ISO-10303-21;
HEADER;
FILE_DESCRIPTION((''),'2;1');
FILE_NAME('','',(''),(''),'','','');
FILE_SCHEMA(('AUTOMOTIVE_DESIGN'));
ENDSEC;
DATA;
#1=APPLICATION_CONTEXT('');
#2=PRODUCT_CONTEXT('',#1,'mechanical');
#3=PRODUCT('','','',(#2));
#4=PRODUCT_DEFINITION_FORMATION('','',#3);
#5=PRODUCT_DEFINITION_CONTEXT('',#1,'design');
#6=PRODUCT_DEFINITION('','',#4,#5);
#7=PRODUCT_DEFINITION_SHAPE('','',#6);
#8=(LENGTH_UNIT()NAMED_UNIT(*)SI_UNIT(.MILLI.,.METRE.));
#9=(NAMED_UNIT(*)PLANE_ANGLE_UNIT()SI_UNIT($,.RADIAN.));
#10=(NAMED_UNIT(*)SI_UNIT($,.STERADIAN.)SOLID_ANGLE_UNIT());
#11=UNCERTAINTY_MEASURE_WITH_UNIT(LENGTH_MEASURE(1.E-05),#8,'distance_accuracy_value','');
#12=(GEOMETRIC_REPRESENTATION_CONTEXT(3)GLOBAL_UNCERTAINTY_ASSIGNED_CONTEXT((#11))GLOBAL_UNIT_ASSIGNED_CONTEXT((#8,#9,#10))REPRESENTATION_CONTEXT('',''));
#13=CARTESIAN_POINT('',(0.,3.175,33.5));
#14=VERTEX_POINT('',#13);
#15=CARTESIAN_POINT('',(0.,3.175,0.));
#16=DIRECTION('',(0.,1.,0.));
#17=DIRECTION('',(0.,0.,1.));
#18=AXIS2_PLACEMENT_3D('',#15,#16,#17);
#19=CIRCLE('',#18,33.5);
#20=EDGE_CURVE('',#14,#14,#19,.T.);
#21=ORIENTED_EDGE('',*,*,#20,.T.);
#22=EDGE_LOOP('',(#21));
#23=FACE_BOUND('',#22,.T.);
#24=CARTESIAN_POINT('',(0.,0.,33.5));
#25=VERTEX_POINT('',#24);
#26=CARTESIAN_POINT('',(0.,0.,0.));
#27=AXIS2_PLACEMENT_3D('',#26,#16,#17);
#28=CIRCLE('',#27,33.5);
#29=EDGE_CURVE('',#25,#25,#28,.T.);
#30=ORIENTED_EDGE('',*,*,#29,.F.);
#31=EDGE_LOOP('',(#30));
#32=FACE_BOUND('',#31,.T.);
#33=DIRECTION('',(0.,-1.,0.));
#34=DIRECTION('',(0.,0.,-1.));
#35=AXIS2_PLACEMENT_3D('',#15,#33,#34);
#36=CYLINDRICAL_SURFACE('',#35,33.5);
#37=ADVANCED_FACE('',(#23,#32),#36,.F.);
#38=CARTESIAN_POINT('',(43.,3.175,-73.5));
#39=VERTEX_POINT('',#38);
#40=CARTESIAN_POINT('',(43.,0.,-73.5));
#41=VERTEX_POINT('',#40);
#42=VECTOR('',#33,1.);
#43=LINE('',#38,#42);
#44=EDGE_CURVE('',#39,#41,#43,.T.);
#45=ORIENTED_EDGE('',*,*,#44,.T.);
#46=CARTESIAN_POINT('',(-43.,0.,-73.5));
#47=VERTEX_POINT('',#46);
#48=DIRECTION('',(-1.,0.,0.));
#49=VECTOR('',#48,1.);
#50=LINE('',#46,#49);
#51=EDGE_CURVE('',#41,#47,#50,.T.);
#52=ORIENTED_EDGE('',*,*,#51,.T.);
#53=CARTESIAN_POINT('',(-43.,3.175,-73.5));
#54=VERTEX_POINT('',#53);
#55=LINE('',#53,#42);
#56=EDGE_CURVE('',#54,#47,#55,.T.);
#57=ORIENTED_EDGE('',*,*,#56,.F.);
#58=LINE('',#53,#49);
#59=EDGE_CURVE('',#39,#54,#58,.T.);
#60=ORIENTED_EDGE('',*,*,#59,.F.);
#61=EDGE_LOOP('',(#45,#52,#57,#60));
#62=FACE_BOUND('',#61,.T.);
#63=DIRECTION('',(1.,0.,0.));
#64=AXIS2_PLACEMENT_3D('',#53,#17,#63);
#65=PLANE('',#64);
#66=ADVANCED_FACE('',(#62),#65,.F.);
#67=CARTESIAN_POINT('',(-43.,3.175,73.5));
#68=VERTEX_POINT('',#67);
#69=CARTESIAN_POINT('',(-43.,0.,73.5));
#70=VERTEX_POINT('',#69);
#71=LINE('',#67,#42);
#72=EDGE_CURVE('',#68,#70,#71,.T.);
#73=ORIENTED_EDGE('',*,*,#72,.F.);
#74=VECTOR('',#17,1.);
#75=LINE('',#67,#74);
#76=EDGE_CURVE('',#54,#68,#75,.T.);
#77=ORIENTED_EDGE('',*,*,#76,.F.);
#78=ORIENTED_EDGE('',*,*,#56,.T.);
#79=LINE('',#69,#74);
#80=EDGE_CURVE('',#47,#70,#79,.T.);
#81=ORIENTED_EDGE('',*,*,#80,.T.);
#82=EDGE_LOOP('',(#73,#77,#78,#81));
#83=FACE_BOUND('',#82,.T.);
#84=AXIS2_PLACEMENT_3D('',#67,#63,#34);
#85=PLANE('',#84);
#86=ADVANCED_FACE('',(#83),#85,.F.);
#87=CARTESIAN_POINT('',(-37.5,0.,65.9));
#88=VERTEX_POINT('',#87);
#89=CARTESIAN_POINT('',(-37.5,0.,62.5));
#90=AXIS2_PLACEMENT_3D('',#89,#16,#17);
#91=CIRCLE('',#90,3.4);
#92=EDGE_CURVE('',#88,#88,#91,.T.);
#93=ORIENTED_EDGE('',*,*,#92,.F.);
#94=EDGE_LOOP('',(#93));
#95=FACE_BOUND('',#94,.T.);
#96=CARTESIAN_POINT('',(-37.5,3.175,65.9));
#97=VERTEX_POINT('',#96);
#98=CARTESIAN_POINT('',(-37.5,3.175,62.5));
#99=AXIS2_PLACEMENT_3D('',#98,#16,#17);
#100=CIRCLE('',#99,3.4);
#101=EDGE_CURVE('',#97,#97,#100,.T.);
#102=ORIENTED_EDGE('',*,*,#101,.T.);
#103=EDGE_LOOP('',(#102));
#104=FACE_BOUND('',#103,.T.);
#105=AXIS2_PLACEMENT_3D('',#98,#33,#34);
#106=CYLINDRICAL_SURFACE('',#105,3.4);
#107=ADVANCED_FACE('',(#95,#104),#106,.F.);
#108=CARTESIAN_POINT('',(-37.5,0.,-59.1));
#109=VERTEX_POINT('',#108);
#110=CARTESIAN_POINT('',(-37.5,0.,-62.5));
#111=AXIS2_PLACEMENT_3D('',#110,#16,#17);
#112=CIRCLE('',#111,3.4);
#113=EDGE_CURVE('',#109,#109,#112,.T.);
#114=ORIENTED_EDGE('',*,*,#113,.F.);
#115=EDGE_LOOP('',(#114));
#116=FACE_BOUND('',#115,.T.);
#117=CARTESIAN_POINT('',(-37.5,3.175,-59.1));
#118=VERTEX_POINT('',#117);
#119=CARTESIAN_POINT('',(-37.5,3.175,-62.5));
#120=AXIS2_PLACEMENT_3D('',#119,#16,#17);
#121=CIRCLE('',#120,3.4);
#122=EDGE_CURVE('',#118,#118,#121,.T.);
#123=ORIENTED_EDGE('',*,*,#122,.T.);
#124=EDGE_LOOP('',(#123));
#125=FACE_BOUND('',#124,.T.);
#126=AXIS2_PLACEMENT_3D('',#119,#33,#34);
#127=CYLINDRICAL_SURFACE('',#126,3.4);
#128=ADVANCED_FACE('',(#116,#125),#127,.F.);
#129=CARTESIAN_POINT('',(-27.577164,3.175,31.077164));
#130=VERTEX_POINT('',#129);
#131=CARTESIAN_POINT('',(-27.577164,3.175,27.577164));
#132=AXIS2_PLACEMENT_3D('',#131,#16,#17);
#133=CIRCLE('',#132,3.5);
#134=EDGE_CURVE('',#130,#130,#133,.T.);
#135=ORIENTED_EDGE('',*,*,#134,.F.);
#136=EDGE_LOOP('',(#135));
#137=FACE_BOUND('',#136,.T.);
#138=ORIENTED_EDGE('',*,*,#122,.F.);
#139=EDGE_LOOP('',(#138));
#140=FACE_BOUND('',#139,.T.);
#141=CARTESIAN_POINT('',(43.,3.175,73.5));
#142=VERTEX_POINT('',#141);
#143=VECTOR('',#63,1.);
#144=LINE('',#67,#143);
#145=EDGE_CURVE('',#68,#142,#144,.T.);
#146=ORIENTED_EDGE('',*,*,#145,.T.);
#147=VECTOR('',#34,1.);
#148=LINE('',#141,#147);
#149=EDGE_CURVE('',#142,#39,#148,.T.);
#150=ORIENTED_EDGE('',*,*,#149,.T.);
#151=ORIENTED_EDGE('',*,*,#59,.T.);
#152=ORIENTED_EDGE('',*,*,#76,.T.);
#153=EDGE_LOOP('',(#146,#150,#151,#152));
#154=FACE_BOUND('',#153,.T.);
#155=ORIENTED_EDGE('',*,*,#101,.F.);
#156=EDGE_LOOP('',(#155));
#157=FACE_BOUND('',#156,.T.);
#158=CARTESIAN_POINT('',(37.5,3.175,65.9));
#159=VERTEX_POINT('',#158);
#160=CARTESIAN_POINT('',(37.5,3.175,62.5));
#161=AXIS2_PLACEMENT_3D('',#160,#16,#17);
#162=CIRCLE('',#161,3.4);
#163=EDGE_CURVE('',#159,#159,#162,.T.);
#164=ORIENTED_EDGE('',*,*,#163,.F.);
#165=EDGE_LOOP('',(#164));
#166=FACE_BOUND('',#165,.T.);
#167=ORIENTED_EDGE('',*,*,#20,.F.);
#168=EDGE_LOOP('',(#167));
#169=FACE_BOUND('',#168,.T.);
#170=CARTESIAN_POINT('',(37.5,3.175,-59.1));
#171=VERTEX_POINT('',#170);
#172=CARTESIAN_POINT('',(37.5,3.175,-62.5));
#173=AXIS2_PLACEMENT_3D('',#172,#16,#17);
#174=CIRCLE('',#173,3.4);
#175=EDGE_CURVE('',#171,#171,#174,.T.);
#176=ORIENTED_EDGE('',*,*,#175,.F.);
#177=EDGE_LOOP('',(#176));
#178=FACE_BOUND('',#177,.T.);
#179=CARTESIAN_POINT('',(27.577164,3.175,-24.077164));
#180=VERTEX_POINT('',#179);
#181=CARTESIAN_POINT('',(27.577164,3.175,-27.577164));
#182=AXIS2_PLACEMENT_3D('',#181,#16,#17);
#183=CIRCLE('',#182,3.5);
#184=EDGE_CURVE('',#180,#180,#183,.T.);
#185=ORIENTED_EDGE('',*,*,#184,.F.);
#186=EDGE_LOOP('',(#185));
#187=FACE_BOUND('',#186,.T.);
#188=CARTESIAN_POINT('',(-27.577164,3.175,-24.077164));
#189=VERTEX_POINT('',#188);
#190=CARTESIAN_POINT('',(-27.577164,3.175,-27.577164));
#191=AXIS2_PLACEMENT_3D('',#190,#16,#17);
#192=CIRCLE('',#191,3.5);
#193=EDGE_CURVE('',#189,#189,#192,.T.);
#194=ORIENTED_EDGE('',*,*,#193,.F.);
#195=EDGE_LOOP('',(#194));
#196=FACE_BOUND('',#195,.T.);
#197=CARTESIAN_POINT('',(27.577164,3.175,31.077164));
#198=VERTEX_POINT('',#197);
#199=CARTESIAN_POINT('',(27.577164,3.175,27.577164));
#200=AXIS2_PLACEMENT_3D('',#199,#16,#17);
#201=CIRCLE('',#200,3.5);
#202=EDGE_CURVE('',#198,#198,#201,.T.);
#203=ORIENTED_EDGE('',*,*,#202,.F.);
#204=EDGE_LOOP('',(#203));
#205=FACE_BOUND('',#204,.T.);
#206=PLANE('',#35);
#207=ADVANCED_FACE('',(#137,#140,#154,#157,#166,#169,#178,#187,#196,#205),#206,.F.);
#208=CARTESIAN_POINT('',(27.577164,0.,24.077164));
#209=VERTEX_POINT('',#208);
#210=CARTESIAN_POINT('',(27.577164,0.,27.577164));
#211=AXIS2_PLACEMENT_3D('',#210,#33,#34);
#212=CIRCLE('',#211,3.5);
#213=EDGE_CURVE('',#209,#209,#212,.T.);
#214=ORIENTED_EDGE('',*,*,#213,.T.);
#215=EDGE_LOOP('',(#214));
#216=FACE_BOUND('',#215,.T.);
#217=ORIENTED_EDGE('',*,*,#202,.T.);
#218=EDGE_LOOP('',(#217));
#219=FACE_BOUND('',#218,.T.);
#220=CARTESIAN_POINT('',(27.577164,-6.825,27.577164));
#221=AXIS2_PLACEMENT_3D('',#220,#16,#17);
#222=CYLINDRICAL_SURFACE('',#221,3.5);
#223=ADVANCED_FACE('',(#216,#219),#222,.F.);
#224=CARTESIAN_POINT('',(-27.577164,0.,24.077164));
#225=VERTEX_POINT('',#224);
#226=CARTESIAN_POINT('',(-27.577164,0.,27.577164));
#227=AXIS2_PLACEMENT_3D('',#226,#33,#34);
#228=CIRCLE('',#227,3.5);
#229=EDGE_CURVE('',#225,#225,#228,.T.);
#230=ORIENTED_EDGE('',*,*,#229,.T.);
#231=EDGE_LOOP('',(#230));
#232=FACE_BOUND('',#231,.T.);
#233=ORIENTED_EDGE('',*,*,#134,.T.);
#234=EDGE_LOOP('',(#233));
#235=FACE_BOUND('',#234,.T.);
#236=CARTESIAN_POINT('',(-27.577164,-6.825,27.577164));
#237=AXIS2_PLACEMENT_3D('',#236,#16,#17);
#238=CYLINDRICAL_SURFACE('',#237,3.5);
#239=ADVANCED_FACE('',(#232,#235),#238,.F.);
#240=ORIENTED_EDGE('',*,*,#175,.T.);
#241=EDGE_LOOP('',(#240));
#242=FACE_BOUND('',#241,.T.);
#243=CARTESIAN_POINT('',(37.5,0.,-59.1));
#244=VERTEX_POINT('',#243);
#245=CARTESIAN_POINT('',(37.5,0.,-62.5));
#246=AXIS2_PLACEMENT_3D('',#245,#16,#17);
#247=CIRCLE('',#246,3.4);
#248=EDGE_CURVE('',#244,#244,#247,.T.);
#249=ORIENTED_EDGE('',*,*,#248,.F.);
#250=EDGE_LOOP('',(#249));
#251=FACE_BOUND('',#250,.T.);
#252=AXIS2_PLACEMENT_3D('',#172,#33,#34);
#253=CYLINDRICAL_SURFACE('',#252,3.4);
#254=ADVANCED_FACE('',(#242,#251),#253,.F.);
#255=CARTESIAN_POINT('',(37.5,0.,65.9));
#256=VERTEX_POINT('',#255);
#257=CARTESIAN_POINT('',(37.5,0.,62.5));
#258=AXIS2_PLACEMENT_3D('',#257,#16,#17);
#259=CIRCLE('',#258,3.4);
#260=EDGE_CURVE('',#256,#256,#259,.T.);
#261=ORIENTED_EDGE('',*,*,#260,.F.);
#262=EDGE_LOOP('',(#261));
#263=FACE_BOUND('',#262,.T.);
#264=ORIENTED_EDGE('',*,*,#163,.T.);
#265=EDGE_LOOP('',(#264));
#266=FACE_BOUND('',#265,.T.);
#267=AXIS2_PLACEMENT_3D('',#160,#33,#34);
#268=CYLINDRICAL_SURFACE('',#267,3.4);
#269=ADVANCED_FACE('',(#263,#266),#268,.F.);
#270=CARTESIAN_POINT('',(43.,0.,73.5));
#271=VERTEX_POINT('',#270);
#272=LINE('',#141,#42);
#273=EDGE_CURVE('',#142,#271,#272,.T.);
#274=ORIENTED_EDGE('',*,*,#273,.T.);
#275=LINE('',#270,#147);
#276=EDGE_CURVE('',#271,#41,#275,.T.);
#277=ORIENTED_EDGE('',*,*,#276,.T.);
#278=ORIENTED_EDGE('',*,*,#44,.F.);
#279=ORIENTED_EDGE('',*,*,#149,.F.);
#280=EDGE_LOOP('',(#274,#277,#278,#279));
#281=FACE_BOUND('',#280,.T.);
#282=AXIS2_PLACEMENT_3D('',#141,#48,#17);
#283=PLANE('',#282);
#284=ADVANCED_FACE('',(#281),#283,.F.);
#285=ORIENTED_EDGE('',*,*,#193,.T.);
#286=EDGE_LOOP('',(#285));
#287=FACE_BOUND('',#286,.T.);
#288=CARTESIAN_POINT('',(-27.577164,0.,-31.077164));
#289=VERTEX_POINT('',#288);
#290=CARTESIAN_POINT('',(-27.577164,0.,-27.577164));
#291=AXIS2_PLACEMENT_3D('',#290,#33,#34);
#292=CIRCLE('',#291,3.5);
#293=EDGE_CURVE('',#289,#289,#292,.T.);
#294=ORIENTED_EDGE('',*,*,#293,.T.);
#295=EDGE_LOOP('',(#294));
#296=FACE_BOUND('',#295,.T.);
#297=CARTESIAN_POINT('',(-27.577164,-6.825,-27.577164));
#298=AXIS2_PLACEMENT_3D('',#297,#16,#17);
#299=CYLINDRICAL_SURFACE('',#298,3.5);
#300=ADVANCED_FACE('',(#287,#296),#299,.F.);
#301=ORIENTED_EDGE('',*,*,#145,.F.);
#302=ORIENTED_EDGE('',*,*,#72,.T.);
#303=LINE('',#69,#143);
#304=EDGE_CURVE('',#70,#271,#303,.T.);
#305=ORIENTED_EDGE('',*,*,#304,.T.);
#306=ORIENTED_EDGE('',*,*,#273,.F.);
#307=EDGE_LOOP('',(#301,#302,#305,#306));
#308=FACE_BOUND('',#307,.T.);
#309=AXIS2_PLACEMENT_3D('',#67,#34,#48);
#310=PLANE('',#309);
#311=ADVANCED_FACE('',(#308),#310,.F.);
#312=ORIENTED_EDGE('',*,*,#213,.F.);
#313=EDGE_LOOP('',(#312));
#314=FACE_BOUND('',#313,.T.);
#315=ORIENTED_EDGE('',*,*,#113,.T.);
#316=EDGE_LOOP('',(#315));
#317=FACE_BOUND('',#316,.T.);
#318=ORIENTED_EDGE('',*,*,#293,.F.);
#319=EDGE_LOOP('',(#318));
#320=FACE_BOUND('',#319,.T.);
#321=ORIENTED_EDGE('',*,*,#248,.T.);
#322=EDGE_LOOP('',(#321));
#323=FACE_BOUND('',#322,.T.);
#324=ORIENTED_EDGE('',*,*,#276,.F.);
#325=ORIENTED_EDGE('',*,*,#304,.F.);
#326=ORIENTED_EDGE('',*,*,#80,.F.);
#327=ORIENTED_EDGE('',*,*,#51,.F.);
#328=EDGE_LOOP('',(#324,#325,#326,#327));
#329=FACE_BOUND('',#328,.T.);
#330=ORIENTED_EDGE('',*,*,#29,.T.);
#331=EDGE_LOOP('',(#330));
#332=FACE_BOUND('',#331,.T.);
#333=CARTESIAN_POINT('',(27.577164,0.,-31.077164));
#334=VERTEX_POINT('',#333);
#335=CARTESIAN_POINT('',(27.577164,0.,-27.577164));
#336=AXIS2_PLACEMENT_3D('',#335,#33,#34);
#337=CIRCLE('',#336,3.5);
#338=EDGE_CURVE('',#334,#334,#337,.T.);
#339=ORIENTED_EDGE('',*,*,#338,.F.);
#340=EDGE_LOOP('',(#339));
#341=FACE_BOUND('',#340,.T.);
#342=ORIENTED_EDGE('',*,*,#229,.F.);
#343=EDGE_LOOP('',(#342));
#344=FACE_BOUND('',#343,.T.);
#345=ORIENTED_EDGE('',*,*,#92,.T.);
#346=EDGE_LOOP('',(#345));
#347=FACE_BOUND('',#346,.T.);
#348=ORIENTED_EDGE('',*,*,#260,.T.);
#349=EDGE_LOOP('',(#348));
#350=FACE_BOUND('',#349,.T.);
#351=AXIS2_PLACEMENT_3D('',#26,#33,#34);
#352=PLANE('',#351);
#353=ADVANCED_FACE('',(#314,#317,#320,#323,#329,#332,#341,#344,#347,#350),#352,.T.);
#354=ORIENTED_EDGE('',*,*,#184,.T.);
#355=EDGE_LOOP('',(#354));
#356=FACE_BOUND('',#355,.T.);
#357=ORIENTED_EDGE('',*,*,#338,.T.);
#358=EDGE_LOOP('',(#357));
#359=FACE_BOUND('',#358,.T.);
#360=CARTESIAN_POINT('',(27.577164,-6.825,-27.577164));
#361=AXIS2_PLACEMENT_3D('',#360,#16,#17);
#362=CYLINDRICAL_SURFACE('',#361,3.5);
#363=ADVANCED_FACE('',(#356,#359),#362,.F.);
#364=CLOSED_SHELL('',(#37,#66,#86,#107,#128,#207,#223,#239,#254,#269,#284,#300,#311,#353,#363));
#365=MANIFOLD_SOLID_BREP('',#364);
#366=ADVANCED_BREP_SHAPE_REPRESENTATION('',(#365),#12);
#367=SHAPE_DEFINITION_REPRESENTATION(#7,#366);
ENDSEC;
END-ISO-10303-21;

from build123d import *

# Parameters (mm, degrees)
SKETCH1_W           = 86
SKETCH1_H           = 147
SKETCH1_R           = 33.5
SKETCH1_R_2         = 3.4
BOSS_EXTRUDE1_DEPTH = 3.175
SKETCH2_R           = 3.5
CUT_EXTRUDE1_DEPTH  = 10


with BuildPart() as part:
    # Sketch1 → Boss-Extrude1 (new body)
    with BuildSketch(Plane(origin=(0, 0, 0), x_dir=(1, 0, 0), z_dir=(0, 1, 0))):
        Rectangle(SKETCH1_W, SKETCH1_H)
        with Locations(Location((0, 0, 0), (0, 0, 270))):
            Circle(SKETCH1_R, mode=Mode.SUBTRACT)
        with Locations(Location((-37.5, -62.5, 0), (0, 0, 270))):
            Circle(SKETCH1_R_2, mode=Mode.SUBTRACT)
        with Locations(Location((37.5, -62.5, 0), (0, 0, 270))):
            Circle(SKETCH1_R_2, mode=Mode.SUBTRACT)
        with Locations(Location((-37.5, 62.5, 0), (0, 0, 270))):
            Circle(SKETCH1_R_2, mode=Mode.SUBTRACT)
        with Locations(Location((37.5, 62.5, 0), (0, 0, 270))):
            Circle(SKETCH1_R_2, mode=Mode.SUBTRACT)
    extrude(amount=BOSS_EXTRUDE1_DEPTH)

    # Sketch2 → Cut-Extrude1 (cut)
    with BuildSketch(Plane(origin=(0, 3.175, 0), x_dir=(1, 0, 0), z_dir=(0, 1, 0))):
        with Locations(Location((-27.577164466, 27.577164466, 0), (0, 0, 270))):
            Circle(SKETCH2_R)
        with Locations(Location((27.577164466, 27.577164466, 0), (0, 0, 270))):
            Circle(SKETCH2_R)
        with Locations(Location((27.577164466, -27.577164466, 0), (0, 0, 270))):
            Circle(SKETCH2_R)
        with Locations(Location((-27.577164466, -27.577164466, 0), (0, 0, 270))):
            Circle(SKETCH2_R)
    extrude(amount=-CUT_EXTRUDE1_DEPTH, mode=Mode.SUBTRACT)


solid = part.part
